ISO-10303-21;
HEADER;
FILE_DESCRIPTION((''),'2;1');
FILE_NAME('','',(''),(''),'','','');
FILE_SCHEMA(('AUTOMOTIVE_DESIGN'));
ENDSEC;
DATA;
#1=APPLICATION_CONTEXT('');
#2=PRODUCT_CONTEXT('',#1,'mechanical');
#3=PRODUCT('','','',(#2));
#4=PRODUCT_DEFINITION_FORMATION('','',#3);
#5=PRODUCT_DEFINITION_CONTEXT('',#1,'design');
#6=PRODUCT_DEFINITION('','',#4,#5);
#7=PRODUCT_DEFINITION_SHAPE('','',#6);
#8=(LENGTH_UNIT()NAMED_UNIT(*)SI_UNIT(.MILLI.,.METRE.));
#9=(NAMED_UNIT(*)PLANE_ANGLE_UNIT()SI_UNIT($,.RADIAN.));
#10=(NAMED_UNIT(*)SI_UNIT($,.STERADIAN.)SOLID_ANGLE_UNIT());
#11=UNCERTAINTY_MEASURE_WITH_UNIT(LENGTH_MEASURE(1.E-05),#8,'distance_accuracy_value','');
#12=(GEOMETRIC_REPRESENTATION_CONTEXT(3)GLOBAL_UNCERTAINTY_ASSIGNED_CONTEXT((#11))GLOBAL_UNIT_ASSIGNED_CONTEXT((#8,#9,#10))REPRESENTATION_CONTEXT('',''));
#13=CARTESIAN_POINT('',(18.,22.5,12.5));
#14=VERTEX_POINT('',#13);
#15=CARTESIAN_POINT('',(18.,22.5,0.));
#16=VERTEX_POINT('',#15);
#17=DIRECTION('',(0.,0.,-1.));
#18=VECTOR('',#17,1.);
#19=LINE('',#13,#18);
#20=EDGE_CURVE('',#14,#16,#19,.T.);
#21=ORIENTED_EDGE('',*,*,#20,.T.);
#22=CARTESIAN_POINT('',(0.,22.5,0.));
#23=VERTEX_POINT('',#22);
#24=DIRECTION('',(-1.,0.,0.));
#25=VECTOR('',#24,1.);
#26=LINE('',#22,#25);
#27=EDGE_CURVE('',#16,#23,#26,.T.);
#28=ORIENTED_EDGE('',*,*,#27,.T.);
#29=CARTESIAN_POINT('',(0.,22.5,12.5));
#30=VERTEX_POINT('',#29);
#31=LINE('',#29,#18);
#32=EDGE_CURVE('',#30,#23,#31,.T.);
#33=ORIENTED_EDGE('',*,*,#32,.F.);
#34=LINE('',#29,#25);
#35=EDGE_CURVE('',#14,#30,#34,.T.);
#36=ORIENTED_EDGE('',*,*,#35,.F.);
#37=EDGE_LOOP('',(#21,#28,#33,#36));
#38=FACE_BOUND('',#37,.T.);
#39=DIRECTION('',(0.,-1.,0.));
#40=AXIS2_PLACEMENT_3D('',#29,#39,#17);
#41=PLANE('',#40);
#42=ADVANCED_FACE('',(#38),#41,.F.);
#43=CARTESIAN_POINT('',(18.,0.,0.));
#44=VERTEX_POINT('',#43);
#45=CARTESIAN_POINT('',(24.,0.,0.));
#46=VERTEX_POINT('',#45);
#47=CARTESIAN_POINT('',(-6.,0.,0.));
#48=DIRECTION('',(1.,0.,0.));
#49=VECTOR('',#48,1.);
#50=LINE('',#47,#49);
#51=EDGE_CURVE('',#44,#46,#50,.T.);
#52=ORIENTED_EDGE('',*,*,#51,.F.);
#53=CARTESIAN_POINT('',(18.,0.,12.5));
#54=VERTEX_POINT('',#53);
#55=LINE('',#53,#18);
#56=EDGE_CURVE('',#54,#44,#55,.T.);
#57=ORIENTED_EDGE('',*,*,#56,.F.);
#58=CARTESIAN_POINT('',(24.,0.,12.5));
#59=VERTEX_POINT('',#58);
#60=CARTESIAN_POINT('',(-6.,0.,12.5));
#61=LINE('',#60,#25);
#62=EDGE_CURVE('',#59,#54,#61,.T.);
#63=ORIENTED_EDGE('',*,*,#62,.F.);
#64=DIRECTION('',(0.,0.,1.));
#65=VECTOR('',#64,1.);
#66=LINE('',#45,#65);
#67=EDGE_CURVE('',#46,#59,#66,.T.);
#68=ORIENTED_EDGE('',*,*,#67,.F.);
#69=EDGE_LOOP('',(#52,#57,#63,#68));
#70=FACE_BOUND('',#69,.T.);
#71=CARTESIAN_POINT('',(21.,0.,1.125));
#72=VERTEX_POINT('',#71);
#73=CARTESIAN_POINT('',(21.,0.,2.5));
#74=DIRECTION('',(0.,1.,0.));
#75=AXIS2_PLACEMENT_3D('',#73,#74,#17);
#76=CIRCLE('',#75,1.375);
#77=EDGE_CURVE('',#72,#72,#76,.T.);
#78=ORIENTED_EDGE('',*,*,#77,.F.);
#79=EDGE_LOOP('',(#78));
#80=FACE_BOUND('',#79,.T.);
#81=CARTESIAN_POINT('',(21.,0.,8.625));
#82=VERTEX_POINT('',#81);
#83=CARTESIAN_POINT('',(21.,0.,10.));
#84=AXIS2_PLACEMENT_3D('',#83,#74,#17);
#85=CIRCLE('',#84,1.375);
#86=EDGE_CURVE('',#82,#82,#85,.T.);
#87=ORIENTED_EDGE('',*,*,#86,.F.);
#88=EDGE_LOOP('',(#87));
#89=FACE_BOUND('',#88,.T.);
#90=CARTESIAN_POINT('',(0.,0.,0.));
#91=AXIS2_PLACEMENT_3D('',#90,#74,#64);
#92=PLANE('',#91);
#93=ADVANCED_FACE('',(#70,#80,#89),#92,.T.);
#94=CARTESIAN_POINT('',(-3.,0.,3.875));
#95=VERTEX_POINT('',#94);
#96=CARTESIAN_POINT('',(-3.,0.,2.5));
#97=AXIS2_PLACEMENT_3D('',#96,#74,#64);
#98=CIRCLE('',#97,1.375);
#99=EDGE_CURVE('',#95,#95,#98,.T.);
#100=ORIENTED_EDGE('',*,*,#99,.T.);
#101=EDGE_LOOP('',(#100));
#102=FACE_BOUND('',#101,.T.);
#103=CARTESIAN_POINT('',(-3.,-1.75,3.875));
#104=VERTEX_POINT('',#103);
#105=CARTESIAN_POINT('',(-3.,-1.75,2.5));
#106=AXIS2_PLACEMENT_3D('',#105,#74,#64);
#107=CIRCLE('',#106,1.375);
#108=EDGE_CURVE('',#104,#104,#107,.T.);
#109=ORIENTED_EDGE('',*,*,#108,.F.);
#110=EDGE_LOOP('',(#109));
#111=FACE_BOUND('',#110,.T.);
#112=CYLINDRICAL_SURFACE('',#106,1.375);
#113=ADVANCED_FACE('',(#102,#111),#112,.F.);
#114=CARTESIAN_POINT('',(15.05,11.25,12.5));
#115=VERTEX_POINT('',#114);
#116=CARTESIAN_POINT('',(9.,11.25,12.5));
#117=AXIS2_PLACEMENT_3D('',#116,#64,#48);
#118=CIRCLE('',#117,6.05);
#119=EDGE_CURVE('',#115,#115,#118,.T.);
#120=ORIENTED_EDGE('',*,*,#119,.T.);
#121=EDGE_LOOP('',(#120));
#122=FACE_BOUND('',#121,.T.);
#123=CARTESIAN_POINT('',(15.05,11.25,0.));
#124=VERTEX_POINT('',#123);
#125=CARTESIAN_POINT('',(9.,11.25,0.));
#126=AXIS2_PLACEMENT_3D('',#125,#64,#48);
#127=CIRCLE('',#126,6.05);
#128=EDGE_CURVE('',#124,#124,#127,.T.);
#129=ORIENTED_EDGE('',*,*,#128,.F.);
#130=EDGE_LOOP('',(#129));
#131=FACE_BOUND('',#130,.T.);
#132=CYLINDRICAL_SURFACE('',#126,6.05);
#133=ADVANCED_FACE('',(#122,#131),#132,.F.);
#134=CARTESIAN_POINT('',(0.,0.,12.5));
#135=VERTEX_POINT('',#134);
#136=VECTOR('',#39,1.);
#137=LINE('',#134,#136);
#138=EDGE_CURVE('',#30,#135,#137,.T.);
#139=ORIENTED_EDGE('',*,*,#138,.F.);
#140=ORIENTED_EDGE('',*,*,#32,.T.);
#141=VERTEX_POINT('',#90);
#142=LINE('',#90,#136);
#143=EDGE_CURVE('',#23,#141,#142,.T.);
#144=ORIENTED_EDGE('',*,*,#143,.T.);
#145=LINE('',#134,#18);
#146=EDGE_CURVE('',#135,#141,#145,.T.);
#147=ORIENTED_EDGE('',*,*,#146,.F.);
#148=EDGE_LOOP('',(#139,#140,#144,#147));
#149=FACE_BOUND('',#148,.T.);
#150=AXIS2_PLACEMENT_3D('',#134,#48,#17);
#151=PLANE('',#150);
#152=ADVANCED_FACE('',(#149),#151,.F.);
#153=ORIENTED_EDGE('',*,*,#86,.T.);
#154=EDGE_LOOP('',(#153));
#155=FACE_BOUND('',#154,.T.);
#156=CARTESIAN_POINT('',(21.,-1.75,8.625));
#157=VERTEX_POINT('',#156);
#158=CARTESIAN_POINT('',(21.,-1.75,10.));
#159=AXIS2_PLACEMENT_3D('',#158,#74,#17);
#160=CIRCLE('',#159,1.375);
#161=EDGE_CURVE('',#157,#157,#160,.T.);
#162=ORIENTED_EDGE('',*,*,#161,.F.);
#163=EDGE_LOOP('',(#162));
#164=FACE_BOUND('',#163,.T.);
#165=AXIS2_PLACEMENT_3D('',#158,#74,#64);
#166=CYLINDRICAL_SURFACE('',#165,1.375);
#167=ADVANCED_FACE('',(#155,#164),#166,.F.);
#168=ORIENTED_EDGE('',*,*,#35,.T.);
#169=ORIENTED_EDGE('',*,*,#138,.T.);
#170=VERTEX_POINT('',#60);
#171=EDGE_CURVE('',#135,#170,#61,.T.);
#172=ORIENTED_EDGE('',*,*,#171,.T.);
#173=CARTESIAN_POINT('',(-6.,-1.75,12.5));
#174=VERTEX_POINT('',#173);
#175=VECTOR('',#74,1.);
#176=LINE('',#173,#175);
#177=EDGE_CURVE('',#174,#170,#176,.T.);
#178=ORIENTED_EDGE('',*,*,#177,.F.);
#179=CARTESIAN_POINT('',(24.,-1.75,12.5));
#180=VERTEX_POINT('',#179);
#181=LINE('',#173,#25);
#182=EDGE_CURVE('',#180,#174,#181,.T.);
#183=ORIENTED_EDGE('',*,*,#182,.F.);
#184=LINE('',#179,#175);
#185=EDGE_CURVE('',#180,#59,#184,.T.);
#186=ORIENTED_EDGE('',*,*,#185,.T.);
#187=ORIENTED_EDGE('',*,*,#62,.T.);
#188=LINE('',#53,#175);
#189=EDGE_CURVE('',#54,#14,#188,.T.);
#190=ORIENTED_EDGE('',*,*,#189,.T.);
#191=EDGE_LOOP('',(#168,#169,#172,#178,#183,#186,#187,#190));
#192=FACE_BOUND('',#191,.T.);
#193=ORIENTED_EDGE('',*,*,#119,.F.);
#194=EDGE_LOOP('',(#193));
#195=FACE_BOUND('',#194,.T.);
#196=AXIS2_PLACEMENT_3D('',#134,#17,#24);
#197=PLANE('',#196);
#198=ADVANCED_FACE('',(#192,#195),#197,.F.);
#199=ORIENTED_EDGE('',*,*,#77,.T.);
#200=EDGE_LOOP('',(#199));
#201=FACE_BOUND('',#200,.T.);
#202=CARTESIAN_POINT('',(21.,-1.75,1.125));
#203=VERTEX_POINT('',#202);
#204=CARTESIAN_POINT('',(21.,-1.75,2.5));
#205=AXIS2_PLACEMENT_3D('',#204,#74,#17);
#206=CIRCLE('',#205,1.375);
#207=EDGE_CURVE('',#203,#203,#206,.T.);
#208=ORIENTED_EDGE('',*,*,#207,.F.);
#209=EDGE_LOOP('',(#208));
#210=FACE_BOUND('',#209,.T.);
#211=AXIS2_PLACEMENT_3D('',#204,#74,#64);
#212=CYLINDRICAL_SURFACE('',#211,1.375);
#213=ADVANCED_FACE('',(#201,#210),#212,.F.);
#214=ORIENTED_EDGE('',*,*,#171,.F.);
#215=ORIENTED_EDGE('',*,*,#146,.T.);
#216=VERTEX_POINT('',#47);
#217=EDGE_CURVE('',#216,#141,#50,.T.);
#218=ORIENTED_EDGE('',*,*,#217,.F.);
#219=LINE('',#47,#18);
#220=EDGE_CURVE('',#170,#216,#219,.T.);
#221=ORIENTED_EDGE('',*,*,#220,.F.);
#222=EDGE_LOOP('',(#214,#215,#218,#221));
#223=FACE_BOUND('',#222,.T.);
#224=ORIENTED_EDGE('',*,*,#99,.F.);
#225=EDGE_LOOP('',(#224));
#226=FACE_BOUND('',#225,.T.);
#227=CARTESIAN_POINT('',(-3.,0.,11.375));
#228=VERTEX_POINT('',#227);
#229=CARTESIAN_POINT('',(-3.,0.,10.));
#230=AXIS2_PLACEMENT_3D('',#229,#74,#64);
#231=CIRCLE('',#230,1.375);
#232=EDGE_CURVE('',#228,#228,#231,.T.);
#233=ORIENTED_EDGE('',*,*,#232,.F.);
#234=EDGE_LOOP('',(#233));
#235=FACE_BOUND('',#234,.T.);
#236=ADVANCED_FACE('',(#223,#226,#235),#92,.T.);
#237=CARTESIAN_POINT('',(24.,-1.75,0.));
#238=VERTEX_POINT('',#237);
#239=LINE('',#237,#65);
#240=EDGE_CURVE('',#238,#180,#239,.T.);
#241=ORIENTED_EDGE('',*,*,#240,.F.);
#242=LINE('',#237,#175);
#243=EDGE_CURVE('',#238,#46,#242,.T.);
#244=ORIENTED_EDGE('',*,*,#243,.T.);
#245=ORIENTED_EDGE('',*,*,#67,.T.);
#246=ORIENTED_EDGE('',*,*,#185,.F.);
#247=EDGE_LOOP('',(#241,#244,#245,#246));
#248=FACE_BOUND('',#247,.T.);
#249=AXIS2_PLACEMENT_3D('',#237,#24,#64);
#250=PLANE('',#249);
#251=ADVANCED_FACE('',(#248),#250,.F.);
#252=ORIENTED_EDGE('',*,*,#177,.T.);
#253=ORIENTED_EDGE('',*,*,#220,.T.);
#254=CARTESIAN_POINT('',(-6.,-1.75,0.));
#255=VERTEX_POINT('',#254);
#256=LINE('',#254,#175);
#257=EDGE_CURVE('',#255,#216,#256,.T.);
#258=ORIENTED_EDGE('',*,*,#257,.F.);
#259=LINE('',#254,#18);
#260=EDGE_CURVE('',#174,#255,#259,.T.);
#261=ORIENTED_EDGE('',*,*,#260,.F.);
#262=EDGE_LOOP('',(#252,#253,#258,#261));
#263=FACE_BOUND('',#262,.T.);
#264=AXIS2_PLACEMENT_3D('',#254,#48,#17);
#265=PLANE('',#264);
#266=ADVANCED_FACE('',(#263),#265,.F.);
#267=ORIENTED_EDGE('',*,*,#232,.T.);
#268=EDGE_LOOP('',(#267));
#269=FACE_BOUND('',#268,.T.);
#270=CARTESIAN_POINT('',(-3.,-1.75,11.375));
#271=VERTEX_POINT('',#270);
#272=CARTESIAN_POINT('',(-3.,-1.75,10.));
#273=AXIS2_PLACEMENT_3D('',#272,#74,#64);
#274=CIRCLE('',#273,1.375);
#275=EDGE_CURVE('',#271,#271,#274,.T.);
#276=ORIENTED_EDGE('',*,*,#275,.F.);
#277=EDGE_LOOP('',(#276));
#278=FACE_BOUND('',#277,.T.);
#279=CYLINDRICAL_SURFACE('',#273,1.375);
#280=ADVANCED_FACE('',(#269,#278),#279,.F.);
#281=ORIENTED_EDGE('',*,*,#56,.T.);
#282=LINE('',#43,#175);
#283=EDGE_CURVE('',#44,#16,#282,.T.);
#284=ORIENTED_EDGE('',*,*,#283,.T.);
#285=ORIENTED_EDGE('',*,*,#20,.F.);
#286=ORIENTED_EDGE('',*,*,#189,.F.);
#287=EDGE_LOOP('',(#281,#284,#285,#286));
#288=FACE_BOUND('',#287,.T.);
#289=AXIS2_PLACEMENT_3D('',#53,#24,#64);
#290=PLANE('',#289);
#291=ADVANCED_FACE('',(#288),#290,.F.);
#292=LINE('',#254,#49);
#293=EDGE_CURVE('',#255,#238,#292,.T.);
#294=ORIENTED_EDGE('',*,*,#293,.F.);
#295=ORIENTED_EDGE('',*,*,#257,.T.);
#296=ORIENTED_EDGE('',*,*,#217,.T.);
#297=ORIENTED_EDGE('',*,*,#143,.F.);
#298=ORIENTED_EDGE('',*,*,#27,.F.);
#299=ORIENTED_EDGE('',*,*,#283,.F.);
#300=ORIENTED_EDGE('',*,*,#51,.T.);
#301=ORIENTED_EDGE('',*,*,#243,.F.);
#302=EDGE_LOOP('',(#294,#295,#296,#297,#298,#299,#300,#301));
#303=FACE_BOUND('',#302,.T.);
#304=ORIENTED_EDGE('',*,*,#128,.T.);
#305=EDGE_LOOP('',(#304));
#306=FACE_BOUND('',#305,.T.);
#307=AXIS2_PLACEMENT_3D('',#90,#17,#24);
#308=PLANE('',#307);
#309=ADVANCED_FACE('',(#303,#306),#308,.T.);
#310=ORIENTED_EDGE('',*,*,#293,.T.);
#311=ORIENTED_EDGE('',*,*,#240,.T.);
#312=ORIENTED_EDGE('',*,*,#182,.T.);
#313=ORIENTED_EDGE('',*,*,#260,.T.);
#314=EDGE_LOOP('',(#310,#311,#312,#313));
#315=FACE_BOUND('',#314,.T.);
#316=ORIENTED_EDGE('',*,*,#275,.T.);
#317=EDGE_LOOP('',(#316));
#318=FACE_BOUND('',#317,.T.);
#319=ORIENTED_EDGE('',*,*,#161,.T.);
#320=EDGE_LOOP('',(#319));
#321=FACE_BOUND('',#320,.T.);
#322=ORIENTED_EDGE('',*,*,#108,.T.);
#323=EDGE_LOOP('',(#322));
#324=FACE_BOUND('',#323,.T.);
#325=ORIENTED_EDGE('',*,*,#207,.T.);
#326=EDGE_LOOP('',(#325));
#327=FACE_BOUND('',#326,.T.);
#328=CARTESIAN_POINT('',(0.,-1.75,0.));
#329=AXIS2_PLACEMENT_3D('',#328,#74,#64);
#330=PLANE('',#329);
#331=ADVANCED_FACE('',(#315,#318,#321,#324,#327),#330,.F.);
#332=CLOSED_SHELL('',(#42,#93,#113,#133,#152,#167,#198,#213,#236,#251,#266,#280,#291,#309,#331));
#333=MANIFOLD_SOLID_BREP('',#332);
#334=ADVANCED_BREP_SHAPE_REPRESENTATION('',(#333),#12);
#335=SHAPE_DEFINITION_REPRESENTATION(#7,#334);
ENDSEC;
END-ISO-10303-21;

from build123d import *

# Parameters (mm, degrees)
SKETCH3_W           = 18
SKETCH3_H           = 22.5
BRACKETBASE_DEPTH   = 12.5
SKETCH4_R           = 6.05
HOLE_DEPTH          = 13.5
SKETCH5_W           = 30
SKETCH5_H           = 12.5
TABBASE_DEPTH       = 1.75
SKETCH6_R           = 1.375
MOUNTINGHOLES_DEPTH = 2.75


with BuildPart() as part:
    # Sketch3 → bracketBase (new body)
    with BuildSketch(Plane.XY):
        with Locations((9, 11.25)):
            Rectangle(SKETCH3_W, SKETCH3_H)
    extrude(amount=BRACKETBASE_DEPTH)

    # Sketch4 → hole (cut, through all)
    with BuildSketch(Plane.XY.offset(12.5)):
        with Locations((9, 11.25)):
            Circle(SKETCH4_R)
    extrude(amount=-HOLE_DEPTH, mode=Mode.SUBTRACT)

    # Sketch5 → tabBase (add)
    with BuildSketch(Plane.XZ):
        with Locations((9, 6.25)):
            Rectangle(SKETCH5_W, SKETCH5_H)
    extrude(amount=TABBASE_DEPTH)

    # Sketch6 → mountingHoles (cut, through all)
    with BuildSketch(Plane(origin=(0, 0, 0), x_dir=(1, 0, 0), z_dir=(0, 1, 0))):
        with Locations((-3, -2.5)):
            Circle(SKETCH6_R)
        with Locations((-3, -10)):
            Circle(SKETCH6_R)
        with Locations((21, -2.5)):
            Circle(SKETCH6_R)
        with Locations((21, -10)):
            Circle(SKETCH6_R)
    extrude(amount=-MOUNTINGHOLES_DEPTH, mode=Mode.SUBTRACT)


solid = part.part
